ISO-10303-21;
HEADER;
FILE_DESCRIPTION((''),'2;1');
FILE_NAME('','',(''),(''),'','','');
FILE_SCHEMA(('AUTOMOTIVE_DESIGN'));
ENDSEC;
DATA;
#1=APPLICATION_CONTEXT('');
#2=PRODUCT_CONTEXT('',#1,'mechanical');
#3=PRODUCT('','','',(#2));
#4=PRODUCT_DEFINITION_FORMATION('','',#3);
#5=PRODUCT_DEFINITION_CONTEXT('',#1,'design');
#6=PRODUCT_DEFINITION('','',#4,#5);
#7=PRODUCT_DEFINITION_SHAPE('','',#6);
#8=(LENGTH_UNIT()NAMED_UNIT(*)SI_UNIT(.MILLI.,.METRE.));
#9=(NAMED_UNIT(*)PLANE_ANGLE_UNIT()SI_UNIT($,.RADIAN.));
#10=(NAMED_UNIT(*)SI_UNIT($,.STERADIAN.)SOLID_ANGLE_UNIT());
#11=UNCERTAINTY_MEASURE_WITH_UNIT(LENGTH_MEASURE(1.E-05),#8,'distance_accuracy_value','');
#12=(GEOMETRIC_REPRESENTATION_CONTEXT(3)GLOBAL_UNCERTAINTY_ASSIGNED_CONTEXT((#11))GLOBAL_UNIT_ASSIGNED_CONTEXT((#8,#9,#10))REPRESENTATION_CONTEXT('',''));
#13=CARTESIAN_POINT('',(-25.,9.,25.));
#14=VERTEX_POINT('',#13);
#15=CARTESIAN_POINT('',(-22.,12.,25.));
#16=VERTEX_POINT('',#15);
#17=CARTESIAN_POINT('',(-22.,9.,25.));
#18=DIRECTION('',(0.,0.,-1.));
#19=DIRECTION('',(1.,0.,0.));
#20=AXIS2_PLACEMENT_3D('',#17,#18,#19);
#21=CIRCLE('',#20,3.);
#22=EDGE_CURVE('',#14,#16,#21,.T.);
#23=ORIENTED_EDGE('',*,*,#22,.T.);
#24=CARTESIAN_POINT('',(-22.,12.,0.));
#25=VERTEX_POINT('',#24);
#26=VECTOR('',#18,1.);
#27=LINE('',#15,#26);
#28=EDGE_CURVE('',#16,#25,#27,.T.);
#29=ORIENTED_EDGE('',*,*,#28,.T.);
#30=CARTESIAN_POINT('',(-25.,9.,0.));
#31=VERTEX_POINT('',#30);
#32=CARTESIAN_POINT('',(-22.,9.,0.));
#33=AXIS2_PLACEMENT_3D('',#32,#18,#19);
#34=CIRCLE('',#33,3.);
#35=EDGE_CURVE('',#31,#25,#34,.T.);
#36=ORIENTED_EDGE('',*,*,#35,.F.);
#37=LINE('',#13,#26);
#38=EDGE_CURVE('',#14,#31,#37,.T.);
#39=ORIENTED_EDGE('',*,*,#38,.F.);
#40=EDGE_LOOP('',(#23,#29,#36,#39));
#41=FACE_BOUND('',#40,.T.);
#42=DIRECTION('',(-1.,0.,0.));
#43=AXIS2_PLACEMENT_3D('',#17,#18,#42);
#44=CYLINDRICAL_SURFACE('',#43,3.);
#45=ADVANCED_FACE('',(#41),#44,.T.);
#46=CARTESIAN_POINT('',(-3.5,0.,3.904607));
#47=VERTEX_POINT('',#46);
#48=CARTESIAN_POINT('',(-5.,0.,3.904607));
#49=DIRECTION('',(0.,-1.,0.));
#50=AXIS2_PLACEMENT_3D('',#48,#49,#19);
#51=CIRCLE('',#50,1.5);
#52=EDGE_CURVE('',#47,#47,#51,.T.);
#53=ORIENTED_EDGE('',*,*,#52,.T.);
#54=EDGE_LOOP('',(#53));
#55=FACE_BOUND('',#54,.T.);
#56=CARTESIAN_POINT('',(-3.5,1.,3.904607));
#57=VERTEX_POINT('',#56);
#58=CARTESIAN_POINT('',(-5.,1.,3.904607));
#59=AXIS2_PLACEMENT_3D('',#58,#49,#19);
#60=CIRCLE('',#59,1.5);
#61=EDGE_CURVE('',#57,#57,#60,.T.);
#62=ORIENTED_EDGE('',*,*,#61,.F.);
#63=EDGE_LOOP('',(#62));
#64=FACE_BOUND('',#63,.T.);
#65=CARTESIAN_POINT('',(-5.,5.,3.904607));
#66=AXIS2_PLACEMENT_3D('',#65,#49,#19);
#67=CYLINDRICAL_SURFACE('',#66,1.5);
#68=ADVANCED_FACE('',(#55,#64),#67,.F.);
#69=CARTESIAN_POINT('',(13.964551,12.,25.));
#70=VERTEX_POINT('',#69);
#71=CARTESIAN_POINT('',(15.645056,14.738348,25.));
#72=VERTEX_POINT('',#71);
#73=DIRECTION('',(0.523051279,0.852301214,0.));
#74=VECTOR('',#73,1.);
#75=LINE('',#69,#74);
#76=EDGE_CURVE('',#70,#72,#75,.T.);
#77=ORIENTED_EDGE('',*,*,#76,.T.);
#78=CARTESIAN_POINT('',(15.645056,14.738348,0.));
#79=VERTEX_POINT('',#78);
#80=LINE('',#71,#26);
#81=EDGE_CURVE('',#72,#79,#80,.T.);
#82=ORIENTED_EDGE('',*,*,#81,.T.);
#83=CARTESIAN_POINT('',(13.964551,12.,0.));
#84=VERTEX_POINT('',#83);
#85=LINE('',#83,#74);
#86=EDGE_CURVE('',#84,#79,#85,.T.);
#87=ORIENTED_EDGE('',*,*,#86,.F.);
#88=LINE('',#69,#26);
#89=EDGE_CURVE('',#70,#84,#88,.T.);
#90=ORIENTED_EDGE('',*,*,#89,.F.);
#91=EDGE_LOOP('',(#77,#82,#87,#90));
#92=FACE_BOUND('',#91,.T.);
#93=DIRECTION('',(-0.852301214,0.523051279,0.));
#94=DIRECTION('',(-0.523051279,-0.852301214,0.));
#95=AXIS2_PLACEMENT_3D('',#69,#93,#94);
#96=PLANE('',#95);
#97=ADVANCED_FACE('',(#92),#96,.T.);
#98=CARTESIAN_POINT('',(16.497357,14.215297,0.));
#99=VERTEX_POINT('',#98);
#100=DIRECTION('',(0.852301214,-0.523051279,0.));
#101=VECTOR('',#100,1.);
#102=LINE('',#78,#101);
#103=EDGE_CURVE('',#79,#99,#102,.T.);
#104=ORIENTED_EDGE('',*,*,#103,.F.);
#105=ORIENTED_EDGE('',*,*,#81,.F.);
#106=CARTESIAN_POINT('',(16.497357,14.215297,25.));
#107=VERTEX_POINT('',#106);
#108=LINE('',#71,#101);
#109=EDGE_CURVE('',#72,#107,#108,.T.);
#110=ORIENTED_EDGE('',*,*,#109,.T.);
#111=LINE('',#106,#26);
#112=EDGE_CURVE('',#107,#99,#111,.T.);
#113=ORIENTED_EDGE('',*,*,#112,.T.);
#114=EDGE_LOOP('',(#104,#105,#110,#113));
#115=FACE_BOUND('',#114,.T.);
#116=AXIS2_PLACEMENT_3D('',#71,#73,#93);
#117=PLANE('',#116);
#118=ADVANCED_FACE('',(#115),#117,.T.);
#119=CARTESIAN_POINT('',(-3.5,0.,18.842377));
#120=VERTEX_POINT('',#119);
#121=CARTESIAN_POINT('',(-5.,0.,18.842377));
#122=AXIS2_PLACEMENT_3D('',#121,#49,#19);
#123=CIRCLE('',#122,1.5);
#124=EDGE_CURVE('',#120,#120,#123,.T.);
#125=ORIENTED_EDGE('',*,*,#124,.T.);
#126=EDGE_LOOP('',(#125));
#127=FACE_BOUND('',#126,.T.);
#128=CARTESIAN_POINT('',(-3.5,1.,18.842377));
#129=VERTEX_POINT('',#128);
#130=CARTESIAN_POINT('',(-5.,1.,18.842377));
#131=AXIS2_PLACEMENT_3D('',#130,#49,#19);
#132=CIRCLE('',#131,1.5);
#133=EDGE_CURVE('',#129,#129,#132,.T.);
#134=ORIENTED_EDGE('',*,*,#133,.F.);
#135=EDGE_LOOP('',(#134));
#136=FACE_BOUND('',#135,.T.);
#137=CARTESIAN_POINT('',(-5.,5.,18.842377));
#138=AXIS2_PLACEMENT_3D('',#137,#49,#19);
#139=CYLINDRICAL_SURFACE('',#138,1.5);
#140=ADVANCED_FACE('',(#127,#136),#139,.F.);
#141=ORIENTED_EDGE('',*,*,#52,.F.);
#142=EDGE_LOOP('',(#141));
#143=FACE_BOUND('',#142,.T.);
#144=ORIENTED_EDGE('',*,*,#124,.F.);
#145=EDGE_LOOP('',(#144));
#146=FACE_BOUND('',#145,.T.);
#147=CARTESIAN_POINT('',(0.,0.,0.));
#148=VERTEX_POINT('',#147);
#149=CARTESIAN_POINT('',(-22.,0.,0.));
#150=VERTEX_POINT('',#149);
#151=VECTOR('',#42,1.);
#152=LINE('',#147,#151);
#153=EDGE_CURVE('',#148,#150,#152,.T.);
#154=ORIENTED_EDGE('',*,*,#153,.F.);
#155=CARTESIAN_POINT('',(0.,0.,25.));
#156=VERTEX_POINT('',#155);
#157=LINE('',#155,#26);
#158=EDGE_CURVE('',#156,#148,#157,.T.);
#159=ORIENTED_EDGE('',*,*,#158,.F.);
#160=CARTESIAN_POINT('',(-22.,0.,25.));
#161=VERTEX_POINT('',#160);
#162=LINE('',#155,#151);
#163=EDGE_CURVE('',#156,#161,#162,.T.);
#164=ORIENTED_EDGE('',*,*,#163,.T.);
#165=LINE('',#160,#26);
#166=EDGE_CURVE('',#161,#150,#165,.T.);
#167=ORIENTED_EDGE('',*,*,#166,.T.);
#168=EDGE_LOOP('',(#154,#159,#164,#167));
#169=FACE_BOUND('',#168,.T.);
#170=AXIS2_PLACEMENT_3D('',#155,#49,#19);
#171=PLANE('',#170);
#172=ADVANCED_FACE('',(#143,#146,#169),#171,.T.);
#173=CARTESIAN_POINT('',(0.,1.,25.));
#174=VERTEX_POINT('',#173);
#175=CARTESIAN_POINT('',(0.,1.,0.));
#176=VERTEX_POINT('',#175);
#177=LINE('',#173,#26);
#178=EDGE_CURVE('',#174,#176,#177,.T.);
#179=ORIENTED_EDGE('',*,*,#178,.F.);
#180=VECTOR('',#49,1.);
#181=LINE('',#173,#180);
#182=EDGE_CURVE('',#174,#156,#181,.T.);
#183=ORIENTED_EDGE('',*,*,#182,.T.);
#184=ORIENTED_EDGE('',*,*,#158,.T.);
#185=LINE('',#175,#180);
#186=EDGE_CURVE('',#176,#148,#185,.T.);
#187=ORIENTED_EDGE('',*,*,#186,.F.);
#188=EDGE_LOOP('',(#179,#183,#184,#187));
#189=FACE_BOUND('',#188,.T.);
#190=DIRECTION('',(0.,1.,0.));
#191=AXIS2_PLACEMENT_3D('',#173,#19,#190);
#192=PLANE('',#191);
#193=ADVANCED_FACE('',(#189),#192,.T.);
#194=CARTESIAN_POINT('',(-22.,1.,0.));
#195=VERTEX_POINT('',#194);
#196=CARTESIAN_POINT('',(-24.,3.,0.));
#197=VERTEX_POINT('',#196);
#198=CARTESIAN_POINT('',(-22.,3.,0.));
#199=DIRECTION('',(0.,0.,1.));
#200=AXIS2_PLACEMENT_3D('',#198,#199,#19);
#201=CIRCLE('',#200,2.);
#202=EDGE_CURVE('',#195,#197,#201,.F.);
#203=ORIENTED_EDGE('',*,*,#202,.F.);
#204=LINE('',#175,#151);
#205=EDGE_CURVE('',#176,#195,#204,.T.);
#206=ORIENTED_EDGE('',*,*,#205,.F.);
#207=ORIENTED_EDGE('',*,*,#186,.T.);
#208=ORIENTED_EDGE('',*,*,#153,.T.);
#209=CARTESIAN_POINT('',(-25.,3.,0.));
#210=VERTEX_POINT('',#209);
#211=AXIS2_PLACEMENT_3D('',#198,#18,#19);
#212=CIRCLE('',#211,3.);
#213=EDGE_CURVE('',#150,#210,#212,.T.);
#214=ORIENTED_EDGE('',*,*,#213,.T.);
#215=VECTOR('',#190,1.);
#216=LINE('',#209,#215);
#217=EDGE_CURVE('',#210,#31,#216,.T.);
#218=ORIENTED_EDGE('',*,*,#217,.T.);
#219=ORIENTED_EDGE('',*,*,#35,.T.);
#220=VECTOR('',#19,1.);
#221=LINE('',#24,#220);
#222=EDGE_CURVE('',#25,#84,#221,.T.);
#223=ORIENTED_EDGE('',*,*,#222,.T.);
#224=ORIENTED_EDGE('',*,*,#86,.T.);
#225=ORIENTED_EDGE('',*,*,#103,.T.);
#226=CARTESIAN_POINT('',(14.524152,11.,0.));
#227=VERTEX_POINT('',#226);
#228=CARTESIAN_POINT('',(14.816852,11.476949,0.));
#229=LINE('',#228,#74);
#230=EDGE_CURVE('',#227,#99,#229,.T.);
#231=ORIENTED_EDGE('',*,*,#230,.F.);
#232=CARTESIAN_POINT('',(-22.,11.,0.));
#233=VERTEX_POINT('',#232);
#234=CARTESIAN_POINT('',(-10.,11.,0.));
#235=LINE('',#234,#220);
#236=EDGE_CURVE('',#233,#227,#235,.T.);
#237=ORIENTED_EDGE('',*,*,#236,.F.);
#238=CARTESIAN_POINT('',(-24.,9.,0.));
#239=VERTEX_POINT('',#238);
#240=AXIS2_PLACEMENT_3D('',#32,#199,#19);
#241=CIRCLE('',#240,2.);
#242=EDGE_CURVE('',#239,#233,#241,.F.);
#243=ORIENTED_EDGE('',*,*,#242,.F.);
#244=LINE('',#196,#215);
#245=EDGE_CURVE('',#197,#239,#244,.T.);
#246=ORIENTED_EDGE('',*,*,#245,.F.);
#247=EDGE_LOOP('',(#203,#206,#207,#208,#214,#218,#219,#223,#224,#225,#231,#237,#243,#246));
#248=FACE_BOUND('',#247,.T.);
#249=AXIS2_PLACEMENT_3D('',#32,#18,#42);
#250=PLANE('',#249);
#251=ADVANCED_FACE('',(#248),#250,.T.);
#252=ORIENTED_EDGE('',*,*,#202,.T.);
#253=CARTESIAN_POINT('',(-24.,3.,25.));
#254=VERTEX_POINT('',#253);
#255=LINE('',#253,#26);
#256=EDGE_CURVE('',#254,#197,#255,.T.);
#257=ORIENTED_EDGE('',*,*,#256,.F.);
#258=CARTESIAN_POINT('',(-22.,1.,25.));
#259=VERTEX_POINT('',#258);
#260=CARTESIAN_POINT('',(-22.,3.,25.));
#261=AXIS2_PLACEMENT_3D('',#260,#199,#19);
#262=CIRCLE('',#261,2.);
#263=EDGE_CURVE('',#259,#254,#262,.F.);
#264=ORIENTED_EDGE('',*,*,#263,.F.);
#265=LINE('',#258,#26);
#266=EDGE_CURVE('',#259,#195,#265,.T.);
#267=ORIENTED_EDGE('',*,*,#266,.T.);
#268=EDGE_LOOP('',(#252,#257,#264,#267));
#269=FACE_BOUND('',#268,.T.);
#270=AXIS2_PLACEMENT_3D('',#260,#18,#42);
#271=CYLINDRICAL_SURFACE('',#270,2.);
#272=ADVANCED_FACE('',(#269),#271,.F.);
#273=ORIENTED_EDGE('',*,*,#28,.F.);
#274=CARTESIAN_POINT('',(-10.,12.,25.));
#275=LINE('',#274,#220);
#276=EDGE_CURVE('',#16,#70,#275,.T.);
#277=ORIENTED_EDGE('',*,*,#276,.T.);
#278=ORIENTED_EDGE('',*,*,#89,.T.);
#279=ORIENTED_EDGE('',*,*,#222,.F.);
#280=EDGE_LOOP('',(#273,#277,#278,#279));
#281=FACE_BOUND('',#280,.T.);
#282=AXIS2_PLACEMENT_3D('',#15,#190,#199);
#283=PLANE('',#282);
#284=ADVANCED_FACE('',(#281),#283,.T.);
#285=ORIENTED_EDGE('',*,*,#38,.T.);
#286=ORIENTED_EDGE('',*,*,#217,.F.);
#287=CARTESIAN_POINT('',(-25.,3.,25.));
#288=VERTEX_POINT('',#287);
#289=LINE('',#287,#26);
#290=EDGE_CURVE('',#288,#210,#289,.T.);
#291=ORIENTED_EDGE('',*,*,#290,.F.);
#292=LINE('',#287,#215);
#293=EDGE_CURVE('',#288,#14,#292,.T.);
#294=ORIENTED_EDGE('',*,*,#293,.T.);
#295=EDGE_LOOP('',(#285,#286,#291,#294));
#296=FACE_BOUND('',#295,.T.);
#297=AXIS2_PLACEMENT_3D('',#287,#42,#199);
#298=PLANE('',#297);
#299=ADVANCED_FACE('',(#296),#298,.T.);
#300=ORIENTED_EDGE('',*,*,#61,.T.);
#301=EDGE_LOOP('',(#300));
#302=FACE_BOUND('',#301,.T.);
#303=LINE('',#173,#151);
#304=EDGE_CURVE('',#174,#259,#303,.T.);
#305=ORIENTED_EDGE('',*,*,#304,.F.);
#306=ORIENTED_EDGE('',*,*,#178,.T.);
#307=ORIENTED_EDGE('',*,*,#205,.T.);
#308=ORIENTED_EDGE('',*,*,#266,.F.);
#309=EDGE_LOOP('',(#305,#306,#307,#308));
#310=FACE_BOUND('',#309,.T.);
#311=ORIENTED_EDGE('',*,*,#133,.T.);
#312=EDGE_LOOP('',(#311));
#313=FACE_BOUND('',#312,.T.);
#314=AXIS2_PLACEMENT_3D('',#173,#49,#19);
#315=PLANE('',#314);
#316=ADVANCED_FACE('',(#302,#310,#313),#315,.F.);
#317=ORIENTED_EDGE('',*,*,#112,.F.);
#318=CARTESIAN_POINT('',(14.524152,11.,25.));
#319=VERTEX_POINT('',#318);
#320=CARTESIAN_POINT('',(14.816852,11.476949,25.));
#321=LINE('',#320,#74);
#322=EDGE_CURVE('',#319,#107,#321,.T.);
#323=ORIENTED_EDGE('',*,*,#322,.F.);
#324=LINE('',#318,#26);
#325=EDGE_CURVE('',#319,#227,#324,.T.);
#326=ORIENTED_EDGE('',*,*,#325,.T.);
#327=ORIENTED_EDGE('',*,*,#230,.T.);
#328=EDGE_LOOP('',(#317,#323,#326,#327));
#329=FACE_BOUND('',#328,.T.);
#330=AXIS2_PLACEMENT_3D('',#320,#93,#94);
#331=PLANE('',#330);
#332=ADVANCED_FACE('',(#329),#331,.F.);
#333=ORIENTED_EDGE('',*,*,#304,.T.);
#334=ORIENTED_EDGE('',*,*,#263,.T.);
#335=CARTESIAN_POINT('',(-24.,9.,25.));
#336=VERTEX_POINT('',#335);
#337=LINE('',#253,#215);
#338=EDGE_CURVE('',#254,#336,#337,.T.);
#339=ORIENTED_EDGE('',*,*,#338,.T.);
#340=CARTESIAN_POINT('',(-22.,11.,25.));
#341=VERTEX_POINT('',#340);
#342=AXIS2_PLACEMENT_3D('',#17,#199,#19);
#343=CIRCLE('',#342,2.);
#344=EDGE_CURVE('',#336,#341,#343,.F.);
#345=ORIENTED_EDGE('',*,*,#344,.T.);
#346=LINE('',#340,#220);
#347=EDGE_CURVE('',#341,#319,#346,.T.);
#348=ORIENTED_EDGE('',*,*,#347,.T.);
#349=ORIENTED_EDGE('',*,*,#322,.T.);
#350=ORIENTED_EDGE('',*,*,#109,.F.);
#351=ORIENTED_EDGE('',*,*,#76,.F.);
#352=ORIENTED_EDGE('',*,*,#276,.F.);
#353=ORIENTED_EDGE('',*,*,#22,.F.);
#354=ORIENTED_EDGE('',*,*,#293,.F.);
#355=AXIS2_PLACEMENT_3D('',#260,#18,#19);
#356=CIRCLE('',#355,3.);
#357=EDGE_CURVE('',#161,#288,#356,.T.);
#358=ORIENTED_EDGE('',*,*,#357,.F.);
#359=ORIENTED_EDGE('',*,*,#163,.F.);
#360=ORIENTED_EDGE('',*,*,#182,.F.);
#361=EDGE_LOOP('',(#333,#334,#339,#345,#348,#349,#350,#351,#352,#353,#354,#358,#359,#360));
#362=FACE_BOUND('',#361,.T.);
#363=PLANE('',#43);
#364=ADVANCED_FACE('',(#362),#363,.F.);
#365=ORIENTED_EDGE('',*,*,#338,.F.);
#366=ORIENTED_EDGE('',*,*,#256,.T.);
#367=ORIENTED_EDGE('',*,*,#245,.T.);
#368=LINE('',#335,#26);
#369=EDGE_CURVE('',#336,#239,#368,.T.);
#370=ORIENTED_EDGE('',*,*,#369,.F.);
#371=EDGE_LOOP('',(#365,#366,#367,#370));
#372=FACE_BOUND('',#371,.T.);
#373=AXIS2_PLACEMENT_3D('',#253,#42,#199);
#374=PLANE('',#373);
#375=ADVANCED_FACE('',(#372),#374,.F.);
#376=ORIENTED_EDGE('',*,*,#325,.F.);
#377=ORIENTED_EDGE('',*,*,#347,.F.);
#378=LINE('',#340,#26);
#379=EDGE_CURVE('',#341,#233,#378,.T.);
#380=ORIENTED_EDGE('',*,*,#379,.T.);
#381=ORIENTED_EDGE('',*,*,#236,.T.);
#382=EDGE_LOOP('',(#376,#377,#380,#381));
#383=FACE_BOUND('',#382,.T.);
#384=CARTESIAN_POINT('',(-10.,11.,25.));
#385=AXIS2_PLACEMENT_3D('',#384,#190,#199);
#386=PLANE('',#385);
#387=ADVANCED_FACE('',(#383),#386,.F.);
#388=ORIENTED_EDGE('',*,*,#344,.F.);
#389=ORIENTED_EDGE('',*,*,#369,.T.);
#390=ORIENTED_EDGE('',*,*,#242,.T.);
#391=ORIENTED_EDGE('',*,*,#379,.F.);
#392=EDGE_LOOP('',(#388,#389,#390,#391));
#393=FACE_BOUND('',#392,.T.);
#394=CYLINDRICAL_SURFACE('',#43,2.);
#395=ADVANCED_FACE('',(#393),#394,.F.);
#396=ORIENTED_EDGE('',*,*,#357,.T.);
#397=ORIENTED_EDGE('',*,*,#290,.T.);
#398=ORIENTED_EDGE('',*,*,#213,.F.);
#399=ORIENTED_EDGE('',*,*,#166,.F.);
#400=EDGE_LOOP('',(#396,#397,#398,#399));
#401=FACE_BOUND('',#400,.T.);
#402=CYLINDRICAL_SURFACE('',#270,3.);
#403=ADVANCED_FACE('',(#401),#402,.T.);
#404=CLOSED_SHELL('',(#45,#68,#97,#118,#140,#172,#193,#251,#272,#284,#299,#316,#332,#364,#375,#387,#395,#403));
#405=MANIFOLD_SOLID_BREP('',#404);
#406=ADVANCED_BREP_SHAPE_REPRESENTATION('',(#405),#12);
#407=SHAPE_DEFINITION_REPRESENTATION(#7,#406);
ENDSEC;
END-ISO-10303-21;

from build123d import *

# Parameters (mm, degrees)
EXTRUS_O_FINA1_DEPTH  = 25
ESBO_O2_R             = 1.5
CORTE_EXTRUS_O1_DEPTH = 5


with BuildPart() as part:
    # Esboço1 → Extrusão-Fina1 (new body)
    with BuildSketch(Plane.XY):
        with BuildLine():
            Line((0, 0), (-22, 0))
            ThreePointArc((-22, 0), (-24.121320344, 0.878679656), (-25, 3))
            Line((-25, 3), (-25, 9))
            ThreePointArc((-25, 9), (-24.121320344, 11.121320344), (-22, 12))
            Line((-22, 12), (-10, 12))
            Line((-10, 12), (13.964550925, 12))
            Line((13.964550925, 12), (15.645056047, 14.73834825))
            Line((15.645056047, 14.73834825), (16.497357261, 14.215296971))
            Line((16.497357261, 14.215296971), (14.524152053, 11))
            Line((14.524152053, 11), (-10, 11))
            Line((-10, 11), (-22, 11))
            ThreePointArc((-22, 11), (-23.414213562, 10.414213562), (-24, 9))
            Line((-24, 9), (-24, 3))
            ThreePointArc((-24, 3), (-23.414213562, 1.585786438), (-22, 1))
            Line((-22, 1), (0, 1))
            Line((0, 1), (0, 0))
        make_face()
    extrude(amount=EXTRUS_O_FINA1_DEPTH)

    # Esboço2 → Corte-extrusão1 (cut)
    with BuildSketch(Plane.XZ):
        with Locations((-5, 18.842376972)):
            Circle(ESBO_O2_R)
        with Locations((-5, 3.904607357)):
            Circle(ESBO_O2_R)
    extrude(amount=-CORTE_EXTRUS_O1_DEPTH, mode=Mode.SUBTRACT)


solid = part.part
